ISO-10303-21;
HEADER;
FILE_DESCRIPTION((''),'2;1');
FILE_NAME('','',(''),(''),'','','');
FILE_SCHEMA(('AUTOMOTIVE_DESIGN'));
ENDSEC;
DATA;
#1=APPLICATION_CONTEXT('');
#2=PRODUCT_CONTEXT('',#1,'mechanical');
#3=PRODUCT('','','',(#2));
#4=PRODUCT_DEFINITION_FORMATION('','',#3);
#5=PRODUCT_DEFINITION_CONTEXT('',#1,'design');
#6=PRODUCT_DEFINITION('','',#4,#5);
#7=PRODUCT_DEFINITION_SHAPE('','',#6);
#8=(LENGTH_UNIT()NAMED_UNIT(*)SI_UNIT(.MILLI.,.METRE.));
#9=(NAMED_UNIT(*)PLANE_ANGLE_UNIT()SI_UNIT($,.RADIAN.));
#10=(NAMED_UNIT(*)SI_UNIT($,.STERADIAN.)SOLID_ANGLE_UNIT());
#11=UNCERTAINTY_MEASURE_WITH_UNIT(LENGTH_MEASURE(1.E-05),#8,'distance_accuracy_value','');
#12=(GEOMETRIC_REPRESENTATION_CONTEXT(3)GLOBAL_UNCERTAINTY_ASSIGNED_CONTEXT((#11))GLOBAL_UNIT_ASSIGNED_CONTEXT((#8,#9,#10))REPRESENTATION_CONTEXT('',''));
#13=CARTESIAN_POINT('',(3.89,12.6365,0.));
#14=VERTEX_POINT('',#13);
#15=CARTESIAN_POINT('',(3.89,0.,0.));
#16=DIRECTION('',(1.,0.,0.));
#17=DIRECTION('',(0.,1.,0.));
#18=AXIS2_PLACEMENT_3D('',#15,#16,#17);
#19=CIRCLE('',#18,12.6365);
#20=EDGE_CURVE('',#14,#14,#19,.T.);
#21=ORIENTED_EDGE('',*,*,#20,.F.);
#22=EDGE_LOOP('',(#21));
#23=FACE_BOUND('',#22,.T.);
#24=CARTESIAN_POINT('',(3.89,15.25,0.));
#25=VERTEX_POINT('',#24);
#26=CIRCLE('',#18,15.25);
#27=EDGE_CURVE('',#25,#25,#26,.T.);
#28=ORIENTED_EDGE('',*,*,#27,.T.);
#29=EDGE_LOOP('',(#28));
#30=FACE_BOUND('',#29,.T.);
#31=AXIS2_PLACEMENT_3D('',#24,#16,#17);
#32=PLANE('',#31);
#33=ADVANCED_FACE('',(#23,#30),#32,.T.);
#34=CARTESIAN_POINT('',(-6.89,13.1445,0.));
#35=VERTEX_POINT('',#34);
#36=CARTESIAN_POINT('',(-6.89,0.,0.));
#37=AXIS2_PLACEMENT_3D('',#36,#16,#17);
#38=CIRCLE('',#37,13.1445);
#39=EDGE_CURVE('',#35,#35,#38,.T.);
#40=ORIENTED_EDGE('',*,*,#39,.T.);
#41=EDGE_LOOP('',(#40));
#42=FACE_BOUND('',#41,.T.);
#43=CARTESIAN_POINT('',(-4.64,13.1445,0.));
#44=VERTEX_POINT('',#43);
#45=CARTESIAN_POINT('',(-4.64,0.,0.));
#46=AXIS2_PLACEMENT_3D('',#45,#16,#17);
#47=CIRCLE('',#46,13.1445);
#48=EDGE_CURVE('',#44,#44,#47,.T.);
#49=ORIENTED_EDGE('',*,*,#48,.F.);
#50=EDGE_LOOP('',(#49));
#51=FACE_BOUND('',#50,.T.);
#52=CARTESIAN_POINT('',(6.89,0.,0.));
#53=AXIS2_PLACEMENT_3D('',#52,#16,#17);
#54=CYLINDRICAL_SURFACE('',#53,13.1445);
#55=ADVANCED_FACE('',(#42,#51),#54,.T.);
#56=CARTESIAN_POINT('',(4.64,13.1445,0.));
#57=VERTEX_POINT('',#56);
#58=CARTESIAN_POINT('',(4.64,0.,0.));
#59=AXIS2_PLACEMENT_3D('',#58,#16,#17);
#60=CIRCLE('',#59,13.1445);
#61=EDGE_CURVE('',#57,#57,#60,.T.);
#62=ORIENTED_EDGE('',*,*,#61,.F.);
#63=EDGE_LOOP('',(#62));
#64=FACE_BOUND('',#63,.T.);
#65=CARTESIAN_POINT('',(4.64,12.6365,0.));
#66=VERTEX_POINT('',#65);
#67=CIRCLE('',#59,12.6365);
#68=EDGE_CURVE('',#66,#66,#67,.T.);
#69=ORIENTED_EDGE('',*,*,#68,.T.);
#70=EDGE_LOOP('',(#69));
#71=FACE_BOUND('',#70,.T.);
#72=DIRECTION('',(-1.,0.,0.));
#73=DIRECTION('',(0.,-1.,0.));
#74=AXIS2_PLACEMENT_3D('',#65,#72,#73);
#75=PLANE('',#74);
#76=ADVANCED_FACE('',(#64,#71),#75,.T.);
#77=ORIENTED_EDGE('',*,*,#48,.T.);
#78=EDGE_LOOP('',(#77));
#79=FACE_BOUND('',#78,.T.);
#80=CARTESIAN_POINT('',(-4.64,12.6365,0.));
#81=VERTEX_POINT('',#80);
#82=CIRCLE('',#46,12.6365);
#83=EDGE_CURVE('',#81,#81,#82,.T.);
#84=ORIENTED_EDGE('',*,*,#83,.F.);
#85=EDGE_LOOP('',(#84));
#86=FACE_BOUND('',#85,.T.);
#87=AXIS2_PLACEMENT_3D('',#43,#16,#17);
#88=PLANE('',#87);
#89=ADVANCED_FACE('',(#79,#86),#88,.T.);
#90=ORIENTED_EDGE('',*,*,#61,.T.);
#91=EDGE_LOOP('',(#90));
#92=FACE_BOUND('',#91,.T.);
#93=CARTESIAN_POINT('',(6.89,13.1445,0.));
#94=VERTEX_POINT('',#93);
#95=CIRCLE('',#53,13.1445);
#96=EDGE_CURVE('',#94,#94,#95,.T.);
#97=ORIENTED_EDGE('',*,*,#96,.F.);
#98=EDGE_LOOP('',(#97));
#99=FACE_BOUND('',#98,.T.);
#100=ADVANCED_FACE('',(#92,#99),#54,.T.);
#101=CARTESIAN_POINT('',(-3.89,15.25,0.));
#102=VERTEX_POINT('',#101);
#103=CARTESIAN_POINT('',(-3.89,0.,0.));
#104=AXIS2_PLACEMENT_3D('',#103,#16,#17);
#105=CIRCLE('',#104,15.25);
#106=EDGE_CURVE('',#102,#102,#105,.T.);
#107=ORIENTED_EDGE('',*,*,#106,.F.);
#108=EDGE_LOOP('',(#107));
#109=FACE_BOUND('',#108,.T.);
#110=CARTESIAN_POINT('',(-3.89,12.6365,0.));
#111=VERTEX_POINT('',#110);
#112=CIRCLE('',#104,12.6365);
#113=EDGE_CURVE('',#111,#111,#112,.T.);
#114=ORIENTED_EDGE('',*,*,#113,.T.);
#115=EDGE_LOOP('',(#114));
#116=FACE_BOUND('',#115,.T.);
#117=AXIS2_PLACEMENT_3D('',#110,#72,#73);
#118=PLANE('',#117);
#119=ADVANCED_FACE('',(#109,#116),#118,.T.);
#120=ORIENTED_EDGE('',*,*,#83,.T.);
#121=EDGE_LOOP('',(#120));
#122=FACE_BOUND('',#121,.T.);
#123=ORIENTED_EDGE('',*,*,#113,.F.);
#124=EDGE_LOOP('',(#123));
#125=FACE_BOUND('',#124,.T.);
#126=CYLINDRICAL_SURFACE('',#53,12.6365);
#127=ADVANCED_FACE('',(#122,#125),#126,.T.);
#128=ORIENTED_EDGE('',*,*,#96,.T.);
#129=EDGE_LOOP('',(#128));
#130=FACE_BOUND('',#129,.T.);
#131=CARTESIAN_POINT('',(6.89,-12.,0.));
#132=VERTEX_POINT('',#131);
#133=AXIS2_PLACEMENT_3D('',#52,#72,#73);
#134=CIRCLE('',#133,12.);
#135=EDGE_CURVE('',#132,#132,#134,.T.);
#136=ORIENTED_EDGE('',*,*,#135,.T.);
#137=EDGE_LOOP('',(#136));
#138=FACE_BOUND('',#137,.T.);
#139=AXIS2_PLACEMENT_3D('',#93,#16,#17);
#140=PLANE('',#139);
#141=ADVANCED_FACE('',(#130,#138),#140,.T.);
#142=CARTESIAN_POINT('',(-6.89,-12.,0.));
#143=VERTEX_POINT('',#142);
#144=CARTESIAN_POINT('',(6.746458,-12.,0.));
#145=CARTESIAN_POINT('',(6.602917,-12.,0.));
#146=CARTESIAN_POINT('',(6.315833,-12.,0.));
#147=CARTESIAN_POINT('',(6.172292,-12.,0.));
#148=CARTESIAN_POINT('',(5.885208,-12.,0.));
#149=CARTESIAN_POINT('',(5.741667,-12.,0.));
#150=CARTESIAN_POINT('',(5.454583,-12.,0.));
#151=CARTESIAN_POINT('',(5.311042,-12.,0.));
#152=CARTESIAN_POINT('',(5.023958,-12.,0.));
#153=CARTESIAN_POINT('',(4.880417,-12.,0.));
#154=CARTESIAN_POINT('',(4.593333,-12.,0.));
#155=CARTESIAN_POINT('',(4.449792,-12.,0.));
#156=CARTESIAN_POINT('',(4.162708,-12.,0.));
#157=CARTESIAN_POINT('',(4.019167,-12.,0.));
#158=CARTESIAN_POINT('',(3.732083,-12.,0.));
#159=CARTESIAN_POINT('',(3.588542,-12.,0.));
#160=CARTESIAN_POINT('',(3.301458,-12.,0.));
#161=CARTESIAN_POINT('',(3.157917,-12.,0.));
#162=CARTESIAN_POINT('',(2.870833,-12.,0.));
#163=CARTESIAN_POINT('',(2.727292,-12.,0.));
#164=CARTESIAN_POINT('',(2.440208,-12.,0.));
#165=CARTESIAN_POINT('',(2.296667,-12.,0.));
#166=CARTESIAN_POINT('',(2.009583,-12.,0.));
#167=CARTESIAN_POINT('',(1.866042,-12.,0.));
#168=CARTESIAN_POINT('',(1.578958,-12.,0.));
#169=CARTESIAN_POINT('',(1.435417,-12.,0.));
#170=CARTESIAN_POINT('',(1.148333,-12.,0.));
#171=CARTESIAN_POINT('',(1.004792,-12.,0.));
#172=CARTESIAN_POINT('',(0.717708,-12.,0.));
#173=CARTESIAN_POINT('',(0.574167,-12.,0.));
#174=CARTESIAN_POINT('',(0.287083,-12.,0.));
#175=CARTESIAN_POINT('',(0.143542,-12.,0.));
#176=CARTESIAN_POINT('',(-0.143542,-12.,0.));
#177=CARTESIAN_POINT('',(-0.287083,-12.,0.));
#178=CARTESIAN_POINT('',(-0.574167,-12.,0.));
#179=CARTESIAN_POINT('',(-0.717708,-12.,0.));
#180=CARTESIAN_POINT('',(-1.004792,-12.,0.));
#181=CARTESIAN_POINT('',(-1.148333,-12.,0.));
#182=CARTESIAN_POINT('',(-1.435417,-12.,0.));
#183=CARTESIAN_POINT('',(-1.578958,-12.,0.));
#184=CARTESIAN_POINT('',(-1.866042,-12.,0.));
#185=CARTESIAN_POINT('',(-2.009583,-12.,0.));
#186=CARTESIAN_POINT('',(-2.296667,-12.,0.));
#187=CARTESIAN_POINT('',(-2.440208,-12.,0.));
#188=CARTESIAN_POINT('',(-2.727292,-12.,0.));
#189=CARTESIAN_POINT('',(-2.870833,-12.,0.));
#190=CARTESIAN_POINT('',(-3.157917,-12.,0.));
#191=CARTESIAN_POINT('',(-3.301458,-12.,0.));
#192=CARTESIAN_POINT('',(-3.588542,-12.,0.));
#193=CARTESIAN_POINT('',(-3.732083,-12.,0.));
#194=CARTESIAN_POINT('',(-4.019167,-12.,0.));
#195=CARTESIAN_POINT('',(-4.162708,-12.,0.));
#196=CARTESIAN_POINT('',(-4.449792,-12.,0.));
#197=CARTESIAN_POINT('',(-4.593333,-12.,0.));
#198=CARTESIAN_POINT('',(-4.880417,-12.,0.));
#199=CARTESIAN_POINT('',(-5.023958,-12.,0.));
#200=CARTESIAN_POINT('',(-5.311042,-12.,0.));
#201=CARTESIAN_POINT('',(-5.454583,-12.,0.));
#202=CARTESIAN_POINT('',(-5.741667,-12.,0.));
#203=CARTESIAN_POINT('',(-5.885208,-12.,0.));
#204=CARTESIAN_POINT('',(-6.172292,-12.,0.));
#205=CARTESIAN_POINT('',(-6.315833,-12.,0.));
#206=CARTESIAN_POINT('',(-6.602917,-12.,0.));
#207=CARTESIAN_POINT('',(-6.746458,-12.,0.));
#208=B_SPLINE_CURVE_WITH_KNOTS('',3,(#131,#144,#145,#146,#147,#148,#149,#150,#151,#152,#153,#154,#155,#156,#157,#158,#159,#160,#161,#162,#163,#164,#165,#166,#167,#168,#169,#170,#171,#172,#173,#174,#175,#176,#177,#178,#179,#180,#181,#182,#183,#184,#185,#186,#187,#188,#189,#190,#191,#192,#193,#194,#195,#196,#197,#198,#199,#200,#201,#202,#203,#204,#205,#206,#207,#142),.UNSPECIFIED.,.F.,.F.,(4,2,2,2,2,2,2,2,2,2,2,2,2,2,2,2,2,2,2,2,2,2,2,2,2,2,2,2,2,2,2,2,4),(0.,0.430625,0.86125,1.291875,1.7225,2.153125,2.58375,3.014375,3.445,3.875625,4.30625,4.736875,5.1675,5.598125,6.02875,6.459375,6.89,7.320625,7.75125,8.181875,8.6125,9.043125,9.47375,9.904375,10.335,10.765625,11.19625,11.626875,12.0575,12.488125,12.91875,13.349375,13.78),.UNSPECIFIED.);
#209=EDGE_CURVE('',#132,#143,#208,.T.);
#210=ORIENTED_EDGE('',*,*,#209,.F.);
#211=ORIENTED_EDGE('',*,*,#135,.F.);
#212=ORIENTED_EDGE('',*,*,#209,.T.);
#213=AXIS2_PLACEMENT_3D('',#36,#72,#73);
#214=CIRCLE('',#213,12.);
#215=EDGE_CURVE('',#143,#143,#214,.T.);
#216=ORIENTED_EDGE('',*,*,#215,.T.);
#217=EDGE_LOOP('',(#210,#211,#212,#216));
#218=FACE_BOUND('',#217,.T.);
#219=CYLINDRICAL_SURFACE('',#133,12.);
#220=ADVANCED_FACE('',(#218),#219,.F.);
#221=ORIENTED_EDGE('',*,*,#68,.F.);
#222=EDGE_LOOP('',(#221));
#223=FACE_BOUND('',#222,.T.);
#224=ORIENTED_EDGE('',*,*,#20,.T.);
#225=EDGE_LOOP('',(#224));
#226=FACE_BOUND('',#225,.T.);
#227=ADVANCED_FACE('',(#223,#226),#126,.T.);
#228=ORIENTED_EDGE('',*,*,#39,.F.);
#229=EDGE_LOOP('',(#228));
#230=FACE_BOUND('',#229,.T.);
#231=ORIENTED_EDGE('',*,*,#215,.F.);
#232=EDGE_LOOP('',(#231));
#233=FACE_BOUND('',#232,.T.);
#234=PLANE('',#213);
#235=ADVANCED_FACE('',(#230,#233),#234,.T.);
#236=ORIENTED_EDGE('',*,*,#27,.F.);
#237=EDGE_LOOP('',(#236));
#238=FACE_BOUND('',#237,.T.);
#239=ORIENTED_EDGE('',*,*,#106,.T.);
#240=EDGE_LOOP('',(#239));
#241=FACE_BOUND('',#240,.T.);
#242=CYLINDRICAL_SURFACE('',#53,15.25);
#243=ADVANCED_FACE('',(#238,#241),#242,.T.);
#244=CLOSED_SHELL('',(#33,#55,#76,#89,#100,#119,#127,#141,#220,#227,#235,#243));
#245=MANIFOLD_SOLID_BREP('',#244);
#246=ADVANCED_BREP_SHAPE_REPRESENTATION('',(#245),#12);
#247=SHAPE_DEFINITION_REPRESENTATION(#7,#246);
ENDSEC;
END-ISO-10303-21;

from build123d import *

# Parameters (mm, degrees)
SKETCH3_R          = 12
CUT_EXTRUDE1_DEPTH = 26.593229573


with BuildPart() as part:
    # Sketch2 → Revolve1 (revolve)
    with BuildSketch(Plane.XY):
        Polygon((6.89, 0), (-6.89, 0), (-6.89, 13.1445), (-4.64, 13.1445), (-4.64, 12.6365), (-3.89, 12.6365), (-3.89, 15.25), (3.89, 15.25), (3.89, 12.6365), (4.64, 12.6365), (4.64, 13.1445), (6.89, 13.1445), align=None)
    revolve(axis=Axis((6.89, 0, 0), (-1, 0, 0)))

    # Sketch3 → Cut-Extrude1 (cut, through all)
    with BuildSketch(Plane.ZY.offset(6.89)):
        with Locations(Location((0, 0, 0), (0, 0, 270))):
            Circle(SKETCH3_R)
    extrude(amount=-CUT_EXTRUDE1_DEPTH, mode=Mode.SUBTRACT)


solid = part.part
